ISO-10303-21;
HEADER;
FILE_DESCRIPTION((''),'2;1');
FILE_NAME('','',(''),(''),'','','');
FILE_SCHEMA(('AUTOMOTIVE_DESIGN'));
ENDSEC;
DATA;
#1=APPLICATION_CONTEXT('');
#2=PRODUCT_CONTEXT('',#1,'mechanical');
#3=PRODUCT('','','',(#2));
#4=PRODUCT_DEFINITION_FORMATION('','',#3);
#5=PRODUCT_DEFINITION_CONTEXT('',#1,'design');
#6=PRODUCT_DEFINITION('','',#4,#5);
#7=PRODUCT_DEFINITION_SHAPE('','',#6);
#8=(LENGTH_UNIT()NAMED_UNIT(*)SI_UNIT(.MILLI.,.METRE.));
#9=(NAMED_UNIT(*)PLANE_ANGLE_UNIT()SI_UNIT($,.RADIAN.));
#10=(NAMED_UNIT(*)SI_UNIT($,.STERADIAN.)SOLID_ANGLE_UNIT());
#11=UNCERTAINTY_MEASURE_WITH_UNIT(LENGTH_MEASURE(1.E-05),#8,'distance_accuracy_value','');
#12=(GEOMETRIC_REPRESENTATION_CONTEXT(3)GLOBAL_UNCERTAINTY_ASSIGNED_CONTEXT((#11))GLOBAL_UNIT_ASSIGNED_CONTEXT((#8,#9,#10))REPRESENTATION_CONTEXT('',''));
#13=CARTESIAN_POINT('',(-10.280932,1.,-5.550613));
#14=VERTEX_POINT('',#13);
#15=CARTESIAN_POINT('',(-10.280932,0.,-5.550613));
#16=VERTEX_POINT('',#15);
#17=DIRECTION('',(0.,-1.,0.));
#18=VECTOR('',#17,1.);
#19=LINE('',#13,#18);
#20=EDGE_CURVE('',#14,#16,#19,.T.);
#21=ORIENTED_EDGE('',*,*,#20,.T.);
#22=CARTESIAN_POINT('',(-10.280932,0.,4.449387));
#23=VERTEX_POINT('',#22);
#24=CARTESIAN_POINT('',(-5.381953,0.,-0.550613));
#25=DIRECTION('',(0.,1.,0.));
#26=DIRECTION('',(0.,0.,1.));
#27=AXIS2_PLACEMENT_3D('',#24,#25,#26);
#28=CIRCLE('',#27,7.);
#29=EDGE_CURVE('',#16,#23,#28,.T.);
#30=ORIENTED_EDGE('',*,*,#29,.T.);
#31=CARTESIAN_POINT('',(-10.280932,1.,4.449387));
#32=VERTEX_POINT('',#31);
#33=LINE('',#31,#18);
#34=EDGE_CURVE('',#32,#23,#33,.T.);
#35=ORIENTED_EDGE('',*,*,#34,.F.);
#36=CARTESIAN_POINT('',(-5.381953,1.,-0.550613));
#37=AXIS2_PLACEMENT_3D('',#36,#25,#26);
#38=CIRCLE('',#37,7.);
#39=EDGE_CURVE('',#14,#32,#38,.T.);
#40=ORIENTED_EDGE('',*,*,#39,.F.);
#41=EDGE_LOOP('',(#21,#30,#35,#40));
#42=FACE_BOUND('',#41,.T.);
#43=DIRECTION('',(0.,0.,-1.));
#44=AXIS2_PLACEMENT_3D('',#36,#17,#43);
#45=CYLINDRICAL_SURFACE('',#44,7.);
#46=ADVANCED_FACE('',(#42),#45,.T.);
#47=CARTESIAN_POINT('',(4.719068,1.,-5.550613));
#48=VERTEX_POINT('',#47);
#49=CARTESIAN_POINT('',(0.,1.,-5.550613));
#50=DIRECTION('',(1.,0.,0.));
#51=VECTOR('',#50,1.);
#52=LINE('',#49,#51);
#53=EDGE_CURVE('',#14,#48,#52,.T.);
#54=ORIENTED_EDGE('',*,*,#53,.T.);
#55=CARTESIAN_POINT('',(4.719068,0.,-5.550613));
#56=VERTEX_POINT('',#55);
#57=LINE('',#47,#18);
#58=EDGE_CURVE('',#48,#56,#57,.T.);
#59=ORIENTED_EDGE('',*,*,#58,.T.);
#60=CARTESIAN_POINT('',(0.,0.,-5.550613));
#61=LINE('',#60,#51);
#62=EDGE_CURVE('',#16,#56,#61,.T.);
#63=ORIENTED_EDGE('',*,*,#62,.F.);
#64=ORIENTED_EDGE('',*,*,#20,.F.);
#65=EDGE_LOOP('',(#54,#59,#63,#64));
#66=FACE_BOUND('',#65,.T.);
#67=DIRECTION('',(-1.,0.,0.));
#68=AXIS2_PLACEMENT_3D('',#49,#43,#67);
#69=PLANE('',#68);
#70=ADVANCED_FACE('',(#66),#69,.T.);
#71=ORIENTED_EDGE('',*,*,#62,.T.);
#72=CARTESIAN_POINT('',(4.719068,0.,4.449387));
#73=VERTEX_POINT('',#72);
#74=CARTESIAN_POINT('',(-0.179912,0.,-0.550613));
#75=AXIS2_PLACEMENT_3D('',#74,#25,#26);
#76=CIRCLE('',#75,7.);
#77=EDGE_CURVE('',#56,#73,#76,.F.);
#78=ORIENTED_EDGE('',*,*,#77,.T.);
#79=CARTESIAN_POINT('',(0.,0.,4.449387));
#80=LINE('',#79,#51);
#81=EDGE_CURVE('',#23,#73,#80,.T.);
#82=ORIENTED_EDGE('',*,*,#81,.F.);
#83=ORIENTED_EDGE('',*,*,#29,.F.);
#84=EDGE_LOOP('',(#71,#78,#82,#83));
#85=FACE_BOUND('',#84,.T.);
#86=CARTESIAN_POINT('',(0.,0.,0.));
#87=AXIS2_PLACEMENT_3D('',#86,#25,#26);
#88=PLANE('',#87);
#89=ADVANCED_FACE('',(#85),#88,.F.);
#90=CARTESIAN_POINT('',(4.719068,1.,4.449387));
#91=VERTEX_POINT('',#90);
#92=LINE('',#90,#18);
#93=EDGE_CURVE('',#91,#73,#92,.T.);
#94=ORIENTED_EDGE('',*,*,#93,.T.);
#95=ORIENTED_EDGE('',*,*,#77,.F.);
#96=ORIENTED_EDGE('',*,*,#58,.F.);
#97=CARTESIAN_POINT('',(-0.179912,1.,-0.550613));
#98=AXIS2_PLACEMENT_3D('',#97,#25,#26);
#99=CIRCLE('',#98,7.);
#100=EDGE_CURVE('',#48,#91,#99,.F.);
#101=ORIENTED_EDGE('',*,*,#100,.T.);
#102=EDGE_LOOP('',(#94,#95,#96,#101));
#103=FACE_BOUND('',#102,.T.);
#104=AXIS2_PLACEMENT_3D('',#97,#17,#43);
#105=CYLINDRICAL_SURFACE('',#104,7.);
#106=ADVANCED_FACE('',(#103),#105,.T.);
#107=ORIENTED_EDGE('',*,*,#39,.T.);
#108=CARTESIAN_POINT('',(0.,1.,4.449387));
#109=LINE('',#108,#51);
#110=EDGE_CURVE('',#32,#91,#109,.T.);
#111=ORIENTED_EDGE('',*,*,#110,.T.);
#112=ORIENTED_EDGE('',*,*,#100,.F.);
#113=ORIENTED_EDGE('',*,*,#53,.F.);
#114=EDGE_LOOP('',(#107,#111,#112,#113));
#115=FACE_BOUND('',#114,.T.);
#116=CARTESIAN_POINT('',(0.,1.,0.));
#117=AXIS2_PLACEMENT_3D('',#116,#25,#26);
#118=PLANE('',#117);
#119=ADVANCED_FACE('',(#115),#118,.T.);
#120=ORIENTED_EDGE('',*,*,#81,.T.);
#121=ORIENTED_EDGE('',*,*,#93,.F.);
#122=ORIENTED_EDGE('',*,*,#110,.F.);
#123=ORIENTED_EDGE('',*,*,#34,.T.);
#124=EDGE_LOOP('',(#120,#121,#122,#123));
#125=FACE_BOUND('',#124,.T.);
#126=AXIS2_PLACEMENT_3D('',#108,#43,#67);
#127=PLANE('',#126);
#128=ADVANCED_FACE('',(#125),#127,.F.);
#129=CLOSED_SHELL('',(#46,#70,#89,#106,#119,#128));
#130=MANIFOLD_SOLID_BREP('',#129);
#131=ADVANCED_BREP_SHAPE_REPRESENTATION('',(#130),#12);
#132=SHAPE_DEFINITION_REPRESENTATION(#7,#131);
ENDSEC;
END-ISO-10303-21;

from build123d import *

# Parameters (mm, degrees)
SKETCH1_W           = 15
SKETCH1_H           = 10
BOSS_EXTRUDE1_DEPTH = 1


with BuildPart() as part:
    # Sketch1 → Boss-Extrude1 (new body)
    with BuildSketch(Plane(origin=(0, 0, 0), x_dir=(1, 0, 0), z_dir=(0, 1, 0))):
        with BuildLine():
            Line((-10.280932288, 5.550613066), (-10.280932288, -4.449386934))
            ThreePointArc((-10.280932288, -4.449386934), (-12.381952803, 0.550613066), (-10.280932288, 5.550613066))
        make_face()
        with Locations((-2.780932288, 0.550613066)):
            Rectangle(SKETCH1_W, SKETCH1_H)
        with BuildLine():
            ThreePointArc((4.719067712, 5.550613066), (6.820088226, 0.550613066), (4.719067712, -4.449386934))
            Line((4.719067712, -4.449386934), (4.719067712, 5.550613066))
        make_face()
    extrude(amount=BOSS_EXTRUDE1_DEPTH)


solid = part.part
